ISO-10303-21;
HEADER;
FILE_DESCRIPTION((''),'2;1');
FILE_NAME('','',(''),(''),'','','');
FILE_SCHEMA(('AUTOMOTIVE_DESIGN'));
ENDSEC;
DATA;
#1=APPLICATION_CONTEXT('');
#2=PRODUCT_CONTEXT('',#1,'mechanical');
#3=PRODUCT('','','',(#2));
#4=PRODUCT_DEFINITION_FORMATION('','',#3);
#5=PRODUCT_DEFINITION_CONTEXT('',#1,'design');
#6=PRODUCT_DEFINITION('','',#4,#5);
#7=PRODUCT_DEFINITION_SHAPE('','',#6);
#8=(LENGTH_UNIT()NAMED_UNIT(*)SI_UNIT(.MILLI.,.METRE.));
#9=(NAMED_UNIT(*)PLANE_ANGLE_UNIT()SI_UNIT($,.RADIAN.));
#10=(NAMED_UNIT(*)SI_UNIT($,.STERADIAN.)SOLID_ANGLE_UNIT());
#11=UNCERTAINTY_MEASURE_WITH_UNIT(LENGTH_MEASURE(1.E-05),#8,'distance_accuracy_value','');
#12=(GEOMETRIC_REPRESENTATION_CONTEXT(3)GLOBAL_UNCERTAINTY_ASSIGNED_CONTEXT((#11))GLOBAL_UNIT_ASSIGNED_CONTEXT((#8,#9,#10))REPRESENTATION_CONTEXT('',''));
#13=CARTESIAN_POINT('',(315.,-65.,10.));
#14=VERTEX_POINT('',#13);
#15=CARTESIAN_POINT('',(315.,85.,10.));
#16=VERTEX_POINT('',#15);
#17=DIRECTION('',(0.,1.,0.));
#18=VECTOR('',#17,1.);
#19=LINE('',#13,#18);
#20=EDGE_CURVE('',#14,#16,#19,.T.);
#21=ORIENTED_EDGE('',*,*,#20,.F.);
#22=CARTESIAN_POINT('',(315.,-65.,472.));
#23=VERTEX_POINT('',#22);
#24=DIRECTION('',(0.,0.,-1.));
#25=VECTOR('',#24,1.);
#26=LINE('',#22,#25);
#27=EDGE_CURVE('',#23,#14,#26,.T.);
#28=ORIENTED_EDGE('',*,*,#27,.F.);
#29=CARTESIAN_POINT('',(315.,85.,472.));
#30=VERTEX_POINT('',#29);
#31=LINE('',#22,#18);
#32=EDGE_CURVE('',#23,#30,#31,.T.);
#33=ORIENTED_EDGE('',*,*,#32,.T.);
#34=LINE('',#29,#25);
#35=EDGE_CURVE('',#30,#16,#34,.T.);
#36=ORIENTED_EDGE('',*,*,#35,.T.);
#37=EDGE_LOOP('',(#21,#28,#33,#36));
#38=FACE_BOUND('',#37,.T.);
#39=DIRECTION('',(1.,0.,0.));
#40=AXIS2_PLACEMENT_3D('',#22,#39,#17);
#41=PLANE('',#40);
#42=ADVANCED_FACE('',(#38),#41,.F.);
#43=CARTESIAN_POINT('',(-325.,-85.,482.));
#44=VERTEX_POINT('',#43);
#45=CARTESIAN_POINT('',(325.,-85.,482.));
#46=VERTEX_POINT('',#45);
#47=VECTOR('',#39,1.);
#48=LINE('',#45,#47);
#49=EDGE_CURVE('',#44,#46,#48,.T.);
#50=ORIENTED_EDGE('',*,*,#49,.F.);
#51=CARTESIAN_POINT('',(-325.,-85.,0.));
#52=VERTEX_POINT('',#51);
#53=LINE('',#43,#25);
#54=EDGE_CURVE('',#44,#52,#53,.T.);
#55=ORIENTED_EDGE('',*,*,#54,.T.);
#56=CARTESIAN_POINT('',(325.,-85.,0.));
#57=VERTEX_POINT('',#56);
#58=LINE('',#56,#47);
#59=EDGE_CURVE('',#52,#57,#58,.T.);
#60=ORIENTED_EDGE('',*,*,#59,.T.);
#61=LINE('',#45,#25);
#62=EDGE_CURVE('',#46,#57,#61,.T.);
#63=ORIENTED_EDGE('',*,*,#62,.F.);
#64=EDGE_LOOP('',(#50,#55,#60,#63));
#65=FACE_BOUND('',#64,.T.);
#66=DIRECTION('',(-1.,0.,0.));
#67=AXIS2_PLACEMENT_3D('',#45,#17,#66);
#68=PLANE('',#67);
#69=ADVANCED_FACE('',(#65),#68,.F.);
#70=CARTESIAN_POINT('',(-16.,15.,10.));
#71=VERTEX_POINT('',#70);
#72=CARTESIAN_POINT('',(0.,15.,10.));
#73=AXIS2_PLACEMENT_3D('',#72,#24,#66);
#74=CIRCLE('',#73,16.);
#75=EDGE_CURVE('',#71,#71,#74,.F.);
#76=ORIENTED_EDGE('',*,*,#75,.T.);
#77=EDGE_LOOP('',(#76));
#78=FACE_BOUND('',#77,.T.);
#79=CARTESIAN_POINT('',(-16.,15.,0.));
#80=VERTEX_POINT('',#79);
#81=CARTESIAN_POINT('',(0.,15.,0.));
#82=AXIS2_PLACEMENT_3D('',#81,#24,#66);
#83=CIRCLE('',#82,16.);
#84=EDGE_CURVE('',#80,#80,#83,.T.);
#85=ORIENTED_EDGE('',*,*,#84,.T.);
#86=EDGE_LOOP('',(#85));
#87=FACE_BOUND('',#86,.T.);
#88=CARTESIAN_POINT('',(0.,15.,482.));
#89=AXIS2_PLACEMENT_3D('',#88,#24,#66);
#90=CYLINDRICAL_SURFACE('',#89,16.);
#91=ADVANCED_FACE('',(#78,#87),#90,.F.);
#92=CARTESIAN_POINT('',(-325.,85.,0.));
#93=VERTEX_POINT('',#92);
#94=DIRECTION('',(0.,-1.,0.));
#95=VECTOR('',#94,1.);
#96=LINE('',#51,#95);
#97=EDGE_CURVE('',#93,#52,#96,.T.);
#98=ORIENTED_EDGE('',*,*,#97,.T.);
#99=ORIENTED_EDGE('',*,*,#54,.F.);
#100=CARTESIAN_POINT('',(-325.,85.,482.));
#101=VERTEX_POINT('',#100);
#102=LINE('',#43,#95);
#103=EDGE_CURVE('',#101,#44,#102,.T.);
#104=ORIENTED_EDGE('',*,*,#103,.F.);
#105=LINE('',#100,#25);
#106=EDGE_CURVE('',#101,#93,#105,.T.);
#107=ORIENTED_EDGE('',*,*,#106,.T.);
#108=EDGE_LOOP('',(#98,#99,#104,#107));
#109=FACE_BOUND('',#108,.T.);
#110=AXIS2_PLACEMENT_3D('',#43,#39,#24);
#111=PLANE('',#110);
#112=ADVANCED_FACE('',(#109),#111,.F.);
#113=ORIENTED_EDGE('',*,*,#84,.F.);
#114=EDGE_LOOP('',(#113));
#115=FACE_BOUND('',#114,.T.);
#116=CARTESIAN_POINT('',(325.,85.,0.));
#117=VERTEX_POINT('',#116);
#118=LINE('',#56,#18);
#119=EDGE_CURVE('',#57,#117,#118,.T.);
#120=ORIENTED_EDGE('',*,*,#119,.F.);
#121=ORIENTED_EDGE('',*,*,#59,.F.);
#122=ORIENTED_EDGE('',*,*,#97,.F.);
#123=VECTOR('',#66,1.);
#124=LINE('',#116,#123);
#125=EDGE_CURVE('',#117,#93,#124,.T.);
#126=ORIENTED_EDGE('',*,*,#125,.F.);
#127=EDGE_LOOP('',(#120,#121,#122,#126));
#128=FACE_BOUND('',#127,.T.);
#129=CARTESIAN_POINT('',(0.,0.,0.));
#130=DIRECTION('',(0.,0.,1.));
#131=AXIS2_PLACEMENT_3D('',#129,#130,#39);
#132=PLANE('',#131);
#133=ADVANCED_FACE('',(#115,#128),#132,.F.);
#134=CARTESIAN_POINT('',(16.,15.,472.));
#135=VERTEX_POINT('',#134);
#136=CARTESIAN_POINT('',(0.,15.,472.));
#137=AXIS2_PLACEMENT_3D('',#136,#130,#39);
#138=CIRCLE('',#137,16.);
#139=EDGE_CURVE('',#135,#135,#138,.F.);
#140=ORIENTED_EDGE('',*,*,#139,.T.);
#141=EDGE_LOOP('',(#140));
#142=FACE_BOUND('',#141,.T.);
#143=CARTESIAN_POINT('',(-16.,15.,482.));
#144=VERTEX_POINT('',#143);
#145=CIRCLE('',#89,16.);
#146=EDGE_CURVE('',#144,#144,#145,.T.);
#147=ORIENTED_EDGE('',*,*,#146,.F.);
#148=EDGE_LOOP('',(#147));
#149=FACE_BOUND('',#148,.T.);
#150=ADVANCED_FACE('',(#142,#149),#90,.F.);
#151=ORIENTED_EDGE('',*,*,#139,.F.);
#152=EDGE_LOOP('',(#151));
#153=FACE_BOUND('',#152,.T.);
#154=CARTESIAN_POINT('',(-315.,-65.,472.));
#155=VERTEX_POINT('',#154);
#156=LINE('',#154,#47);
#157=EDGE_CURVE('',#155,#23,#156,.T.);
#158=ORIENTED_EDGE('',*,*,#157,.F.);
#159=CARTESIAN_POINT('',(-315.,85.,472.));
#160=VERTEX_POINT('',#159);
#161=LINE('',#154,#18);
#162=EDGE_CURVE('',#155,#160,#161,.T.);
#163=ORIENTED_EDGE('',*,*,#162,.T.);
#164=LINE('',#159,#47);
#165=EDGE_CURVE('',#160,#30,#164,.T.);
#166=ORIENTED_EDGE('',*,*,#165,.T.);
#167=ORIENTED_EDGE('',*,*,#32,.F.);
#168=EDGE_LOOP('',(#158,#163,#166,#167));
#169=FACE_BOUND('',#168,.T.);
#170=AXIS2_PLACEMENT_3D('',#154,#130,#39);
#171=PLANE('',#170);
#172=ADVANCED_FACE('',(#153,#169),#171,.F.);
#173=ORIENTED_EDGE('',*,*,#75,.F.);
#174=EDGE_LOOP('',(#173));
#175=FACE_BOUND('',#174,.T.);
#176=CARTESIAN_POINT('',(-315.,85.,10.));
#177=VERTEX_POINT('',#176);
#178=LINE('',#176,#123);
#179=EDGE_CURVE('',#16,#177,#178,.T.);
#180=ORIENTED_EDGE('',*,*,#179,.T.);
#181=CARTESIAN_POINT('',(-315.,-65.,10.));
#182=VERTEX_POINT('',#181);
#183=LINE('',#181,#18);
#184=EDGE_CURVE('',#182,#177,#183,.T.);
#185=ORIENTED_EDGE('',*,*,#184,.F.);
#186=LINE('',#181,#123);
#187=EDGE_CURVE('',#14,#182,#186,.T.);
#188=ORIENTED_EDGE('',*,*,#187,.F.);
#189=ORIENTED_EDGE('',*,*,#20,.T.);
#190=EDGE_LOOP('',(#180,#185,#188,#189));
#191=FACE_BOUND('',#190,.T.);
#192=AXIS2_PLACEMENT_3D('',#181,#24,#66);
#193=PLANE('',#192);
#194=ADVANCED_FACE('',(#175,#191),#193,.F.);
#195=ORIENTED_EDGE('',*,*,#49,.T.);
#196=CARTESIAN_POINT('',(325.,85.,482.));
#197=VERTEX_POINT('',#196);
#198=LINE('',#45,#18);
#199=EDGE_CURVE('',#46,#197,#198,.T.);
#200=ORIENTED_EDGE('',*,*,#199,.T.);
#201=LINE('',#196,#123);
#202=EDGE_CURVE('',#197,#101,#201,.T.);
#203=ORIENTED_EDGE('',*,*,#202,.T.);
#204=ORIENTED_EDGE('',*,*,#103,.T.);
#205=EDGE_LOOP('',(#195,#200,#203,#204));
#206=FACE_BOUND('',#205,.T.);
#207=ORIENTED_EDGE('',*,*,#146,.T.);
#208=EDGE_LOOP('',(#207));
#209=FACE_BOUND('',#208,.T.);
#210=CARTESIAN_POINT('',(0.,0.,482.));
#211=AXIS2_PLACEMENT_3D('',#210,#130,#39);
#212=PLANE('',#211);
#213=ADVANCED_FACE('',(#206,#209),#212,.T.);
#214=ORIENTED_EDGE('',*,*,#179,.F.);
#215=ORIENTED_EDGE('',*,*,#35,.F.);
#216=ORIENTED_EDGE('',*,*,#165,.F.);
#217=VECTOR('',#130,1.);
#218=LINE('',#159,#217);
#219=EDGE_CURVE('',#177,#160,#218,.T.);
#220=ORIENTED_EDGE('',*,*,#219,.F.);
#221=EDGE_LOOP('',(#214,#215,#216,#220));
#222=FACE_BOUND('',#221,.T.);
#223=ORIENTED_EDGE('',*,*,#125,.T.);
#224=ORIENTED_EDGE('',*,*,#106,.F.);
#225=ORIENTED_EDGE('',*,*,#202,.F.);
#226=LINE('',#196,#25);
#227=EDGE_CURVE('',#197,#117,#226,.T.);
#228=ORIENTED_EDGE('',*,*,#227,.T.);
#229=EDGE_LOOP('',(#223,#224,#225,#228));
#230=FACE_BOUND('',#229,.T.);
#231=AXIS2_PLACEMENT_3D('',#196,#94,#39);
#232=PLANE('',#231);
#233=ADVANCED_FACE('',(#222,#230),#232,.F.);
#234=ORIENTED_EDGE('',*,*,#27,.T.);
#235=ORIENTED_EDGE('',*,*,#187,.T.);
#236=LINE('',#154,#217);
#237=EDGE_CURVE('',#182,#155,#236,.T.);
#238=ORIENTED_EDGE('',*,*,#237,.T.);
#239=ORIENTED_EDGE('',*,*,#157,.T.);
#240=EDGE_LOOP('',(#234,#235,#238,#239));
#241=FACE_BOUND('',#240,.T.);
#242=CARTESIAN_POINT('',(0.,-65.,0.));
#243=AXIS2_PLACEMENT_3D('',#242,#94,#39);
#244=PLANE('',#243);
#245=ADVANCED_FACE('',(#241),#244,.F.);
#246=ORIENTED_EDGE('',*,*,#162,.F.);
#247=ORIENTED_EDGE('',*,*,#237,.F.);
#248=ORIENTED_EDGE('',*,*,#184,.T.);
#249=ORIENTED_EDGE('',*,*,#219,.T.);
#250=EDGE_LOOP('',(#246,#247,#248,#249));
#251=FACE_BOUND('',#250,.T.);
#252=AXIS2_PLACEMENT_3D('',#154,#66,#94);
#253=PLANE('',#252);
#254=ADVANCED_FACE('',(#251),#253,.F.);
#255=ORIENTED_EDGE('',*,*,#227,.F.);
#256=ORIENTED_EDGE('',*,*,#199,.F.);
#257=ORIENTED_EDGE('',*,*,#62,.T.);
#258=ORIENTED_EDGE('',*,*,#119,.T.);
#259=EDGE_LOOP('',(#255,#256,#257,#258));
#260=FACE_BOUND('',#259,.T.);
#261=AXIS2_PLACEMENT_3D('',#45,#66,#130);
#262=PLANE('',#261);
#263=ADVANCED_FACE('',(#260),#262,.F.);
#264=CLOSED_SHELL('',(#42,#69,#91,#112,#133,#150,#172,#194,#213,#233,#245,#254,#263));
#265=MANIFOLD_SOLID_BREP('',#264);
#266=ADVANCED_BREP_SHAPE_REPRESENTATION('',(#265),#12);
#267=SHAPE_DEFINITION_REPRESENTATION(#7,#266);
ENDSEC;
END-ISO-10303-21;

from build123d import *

# Parameters (mm, degrees)
SKETCH1_W           = 650
SKETCH1_H           = 170
BOSS_EXTRUDE1_DEPTH = 482
SKETCH2_R           = 16
CUT_EXTRUDE1_DEPTH  = 483
SKETCH3_W           = 630
SKETCH3_H           = 462
CUT_EXTRUDE2_DEPTH  = 150


with BuildPart() as part:
    # Sketch1 → Boss-Extrude1 (new body)
    with BuildSketch(Plane.XY):
        Rectangle(SKETCH1_W, SKETCH1_H)
    extrude(amount=BOSS_EXTRUDE1_DEPTH)

    # Sketch2 → Cut-Extrude1 (cut, through all)
    with BuildSketch(Plane(origin=(0, 0, 0), x_dir=(-1, 0, 0), z_dir=(0, 0, -1))):
        with Locations((0, 15)):
            Circle(SKETCH2_R)
    extrude(amount=-CUT_EXTRUDE1_DEPTH, mode=Mode.SUBTRACT)

    # Sketch3 → Cut-Extrude2 (cut)
    with BuildSketch(Plane(origin=(0, 85, 0), x_dir=(1, 0, 0), z_dir=(0, 1, 0))):
        with Locations((0, -241)):
            Rectangle(SKETCH3_W, SKETCH3_H)
    extrude(amount=-CUT_EXTRUDE2_DEPTH, mode=Mode.SUBTRACT)


solid = part.part
